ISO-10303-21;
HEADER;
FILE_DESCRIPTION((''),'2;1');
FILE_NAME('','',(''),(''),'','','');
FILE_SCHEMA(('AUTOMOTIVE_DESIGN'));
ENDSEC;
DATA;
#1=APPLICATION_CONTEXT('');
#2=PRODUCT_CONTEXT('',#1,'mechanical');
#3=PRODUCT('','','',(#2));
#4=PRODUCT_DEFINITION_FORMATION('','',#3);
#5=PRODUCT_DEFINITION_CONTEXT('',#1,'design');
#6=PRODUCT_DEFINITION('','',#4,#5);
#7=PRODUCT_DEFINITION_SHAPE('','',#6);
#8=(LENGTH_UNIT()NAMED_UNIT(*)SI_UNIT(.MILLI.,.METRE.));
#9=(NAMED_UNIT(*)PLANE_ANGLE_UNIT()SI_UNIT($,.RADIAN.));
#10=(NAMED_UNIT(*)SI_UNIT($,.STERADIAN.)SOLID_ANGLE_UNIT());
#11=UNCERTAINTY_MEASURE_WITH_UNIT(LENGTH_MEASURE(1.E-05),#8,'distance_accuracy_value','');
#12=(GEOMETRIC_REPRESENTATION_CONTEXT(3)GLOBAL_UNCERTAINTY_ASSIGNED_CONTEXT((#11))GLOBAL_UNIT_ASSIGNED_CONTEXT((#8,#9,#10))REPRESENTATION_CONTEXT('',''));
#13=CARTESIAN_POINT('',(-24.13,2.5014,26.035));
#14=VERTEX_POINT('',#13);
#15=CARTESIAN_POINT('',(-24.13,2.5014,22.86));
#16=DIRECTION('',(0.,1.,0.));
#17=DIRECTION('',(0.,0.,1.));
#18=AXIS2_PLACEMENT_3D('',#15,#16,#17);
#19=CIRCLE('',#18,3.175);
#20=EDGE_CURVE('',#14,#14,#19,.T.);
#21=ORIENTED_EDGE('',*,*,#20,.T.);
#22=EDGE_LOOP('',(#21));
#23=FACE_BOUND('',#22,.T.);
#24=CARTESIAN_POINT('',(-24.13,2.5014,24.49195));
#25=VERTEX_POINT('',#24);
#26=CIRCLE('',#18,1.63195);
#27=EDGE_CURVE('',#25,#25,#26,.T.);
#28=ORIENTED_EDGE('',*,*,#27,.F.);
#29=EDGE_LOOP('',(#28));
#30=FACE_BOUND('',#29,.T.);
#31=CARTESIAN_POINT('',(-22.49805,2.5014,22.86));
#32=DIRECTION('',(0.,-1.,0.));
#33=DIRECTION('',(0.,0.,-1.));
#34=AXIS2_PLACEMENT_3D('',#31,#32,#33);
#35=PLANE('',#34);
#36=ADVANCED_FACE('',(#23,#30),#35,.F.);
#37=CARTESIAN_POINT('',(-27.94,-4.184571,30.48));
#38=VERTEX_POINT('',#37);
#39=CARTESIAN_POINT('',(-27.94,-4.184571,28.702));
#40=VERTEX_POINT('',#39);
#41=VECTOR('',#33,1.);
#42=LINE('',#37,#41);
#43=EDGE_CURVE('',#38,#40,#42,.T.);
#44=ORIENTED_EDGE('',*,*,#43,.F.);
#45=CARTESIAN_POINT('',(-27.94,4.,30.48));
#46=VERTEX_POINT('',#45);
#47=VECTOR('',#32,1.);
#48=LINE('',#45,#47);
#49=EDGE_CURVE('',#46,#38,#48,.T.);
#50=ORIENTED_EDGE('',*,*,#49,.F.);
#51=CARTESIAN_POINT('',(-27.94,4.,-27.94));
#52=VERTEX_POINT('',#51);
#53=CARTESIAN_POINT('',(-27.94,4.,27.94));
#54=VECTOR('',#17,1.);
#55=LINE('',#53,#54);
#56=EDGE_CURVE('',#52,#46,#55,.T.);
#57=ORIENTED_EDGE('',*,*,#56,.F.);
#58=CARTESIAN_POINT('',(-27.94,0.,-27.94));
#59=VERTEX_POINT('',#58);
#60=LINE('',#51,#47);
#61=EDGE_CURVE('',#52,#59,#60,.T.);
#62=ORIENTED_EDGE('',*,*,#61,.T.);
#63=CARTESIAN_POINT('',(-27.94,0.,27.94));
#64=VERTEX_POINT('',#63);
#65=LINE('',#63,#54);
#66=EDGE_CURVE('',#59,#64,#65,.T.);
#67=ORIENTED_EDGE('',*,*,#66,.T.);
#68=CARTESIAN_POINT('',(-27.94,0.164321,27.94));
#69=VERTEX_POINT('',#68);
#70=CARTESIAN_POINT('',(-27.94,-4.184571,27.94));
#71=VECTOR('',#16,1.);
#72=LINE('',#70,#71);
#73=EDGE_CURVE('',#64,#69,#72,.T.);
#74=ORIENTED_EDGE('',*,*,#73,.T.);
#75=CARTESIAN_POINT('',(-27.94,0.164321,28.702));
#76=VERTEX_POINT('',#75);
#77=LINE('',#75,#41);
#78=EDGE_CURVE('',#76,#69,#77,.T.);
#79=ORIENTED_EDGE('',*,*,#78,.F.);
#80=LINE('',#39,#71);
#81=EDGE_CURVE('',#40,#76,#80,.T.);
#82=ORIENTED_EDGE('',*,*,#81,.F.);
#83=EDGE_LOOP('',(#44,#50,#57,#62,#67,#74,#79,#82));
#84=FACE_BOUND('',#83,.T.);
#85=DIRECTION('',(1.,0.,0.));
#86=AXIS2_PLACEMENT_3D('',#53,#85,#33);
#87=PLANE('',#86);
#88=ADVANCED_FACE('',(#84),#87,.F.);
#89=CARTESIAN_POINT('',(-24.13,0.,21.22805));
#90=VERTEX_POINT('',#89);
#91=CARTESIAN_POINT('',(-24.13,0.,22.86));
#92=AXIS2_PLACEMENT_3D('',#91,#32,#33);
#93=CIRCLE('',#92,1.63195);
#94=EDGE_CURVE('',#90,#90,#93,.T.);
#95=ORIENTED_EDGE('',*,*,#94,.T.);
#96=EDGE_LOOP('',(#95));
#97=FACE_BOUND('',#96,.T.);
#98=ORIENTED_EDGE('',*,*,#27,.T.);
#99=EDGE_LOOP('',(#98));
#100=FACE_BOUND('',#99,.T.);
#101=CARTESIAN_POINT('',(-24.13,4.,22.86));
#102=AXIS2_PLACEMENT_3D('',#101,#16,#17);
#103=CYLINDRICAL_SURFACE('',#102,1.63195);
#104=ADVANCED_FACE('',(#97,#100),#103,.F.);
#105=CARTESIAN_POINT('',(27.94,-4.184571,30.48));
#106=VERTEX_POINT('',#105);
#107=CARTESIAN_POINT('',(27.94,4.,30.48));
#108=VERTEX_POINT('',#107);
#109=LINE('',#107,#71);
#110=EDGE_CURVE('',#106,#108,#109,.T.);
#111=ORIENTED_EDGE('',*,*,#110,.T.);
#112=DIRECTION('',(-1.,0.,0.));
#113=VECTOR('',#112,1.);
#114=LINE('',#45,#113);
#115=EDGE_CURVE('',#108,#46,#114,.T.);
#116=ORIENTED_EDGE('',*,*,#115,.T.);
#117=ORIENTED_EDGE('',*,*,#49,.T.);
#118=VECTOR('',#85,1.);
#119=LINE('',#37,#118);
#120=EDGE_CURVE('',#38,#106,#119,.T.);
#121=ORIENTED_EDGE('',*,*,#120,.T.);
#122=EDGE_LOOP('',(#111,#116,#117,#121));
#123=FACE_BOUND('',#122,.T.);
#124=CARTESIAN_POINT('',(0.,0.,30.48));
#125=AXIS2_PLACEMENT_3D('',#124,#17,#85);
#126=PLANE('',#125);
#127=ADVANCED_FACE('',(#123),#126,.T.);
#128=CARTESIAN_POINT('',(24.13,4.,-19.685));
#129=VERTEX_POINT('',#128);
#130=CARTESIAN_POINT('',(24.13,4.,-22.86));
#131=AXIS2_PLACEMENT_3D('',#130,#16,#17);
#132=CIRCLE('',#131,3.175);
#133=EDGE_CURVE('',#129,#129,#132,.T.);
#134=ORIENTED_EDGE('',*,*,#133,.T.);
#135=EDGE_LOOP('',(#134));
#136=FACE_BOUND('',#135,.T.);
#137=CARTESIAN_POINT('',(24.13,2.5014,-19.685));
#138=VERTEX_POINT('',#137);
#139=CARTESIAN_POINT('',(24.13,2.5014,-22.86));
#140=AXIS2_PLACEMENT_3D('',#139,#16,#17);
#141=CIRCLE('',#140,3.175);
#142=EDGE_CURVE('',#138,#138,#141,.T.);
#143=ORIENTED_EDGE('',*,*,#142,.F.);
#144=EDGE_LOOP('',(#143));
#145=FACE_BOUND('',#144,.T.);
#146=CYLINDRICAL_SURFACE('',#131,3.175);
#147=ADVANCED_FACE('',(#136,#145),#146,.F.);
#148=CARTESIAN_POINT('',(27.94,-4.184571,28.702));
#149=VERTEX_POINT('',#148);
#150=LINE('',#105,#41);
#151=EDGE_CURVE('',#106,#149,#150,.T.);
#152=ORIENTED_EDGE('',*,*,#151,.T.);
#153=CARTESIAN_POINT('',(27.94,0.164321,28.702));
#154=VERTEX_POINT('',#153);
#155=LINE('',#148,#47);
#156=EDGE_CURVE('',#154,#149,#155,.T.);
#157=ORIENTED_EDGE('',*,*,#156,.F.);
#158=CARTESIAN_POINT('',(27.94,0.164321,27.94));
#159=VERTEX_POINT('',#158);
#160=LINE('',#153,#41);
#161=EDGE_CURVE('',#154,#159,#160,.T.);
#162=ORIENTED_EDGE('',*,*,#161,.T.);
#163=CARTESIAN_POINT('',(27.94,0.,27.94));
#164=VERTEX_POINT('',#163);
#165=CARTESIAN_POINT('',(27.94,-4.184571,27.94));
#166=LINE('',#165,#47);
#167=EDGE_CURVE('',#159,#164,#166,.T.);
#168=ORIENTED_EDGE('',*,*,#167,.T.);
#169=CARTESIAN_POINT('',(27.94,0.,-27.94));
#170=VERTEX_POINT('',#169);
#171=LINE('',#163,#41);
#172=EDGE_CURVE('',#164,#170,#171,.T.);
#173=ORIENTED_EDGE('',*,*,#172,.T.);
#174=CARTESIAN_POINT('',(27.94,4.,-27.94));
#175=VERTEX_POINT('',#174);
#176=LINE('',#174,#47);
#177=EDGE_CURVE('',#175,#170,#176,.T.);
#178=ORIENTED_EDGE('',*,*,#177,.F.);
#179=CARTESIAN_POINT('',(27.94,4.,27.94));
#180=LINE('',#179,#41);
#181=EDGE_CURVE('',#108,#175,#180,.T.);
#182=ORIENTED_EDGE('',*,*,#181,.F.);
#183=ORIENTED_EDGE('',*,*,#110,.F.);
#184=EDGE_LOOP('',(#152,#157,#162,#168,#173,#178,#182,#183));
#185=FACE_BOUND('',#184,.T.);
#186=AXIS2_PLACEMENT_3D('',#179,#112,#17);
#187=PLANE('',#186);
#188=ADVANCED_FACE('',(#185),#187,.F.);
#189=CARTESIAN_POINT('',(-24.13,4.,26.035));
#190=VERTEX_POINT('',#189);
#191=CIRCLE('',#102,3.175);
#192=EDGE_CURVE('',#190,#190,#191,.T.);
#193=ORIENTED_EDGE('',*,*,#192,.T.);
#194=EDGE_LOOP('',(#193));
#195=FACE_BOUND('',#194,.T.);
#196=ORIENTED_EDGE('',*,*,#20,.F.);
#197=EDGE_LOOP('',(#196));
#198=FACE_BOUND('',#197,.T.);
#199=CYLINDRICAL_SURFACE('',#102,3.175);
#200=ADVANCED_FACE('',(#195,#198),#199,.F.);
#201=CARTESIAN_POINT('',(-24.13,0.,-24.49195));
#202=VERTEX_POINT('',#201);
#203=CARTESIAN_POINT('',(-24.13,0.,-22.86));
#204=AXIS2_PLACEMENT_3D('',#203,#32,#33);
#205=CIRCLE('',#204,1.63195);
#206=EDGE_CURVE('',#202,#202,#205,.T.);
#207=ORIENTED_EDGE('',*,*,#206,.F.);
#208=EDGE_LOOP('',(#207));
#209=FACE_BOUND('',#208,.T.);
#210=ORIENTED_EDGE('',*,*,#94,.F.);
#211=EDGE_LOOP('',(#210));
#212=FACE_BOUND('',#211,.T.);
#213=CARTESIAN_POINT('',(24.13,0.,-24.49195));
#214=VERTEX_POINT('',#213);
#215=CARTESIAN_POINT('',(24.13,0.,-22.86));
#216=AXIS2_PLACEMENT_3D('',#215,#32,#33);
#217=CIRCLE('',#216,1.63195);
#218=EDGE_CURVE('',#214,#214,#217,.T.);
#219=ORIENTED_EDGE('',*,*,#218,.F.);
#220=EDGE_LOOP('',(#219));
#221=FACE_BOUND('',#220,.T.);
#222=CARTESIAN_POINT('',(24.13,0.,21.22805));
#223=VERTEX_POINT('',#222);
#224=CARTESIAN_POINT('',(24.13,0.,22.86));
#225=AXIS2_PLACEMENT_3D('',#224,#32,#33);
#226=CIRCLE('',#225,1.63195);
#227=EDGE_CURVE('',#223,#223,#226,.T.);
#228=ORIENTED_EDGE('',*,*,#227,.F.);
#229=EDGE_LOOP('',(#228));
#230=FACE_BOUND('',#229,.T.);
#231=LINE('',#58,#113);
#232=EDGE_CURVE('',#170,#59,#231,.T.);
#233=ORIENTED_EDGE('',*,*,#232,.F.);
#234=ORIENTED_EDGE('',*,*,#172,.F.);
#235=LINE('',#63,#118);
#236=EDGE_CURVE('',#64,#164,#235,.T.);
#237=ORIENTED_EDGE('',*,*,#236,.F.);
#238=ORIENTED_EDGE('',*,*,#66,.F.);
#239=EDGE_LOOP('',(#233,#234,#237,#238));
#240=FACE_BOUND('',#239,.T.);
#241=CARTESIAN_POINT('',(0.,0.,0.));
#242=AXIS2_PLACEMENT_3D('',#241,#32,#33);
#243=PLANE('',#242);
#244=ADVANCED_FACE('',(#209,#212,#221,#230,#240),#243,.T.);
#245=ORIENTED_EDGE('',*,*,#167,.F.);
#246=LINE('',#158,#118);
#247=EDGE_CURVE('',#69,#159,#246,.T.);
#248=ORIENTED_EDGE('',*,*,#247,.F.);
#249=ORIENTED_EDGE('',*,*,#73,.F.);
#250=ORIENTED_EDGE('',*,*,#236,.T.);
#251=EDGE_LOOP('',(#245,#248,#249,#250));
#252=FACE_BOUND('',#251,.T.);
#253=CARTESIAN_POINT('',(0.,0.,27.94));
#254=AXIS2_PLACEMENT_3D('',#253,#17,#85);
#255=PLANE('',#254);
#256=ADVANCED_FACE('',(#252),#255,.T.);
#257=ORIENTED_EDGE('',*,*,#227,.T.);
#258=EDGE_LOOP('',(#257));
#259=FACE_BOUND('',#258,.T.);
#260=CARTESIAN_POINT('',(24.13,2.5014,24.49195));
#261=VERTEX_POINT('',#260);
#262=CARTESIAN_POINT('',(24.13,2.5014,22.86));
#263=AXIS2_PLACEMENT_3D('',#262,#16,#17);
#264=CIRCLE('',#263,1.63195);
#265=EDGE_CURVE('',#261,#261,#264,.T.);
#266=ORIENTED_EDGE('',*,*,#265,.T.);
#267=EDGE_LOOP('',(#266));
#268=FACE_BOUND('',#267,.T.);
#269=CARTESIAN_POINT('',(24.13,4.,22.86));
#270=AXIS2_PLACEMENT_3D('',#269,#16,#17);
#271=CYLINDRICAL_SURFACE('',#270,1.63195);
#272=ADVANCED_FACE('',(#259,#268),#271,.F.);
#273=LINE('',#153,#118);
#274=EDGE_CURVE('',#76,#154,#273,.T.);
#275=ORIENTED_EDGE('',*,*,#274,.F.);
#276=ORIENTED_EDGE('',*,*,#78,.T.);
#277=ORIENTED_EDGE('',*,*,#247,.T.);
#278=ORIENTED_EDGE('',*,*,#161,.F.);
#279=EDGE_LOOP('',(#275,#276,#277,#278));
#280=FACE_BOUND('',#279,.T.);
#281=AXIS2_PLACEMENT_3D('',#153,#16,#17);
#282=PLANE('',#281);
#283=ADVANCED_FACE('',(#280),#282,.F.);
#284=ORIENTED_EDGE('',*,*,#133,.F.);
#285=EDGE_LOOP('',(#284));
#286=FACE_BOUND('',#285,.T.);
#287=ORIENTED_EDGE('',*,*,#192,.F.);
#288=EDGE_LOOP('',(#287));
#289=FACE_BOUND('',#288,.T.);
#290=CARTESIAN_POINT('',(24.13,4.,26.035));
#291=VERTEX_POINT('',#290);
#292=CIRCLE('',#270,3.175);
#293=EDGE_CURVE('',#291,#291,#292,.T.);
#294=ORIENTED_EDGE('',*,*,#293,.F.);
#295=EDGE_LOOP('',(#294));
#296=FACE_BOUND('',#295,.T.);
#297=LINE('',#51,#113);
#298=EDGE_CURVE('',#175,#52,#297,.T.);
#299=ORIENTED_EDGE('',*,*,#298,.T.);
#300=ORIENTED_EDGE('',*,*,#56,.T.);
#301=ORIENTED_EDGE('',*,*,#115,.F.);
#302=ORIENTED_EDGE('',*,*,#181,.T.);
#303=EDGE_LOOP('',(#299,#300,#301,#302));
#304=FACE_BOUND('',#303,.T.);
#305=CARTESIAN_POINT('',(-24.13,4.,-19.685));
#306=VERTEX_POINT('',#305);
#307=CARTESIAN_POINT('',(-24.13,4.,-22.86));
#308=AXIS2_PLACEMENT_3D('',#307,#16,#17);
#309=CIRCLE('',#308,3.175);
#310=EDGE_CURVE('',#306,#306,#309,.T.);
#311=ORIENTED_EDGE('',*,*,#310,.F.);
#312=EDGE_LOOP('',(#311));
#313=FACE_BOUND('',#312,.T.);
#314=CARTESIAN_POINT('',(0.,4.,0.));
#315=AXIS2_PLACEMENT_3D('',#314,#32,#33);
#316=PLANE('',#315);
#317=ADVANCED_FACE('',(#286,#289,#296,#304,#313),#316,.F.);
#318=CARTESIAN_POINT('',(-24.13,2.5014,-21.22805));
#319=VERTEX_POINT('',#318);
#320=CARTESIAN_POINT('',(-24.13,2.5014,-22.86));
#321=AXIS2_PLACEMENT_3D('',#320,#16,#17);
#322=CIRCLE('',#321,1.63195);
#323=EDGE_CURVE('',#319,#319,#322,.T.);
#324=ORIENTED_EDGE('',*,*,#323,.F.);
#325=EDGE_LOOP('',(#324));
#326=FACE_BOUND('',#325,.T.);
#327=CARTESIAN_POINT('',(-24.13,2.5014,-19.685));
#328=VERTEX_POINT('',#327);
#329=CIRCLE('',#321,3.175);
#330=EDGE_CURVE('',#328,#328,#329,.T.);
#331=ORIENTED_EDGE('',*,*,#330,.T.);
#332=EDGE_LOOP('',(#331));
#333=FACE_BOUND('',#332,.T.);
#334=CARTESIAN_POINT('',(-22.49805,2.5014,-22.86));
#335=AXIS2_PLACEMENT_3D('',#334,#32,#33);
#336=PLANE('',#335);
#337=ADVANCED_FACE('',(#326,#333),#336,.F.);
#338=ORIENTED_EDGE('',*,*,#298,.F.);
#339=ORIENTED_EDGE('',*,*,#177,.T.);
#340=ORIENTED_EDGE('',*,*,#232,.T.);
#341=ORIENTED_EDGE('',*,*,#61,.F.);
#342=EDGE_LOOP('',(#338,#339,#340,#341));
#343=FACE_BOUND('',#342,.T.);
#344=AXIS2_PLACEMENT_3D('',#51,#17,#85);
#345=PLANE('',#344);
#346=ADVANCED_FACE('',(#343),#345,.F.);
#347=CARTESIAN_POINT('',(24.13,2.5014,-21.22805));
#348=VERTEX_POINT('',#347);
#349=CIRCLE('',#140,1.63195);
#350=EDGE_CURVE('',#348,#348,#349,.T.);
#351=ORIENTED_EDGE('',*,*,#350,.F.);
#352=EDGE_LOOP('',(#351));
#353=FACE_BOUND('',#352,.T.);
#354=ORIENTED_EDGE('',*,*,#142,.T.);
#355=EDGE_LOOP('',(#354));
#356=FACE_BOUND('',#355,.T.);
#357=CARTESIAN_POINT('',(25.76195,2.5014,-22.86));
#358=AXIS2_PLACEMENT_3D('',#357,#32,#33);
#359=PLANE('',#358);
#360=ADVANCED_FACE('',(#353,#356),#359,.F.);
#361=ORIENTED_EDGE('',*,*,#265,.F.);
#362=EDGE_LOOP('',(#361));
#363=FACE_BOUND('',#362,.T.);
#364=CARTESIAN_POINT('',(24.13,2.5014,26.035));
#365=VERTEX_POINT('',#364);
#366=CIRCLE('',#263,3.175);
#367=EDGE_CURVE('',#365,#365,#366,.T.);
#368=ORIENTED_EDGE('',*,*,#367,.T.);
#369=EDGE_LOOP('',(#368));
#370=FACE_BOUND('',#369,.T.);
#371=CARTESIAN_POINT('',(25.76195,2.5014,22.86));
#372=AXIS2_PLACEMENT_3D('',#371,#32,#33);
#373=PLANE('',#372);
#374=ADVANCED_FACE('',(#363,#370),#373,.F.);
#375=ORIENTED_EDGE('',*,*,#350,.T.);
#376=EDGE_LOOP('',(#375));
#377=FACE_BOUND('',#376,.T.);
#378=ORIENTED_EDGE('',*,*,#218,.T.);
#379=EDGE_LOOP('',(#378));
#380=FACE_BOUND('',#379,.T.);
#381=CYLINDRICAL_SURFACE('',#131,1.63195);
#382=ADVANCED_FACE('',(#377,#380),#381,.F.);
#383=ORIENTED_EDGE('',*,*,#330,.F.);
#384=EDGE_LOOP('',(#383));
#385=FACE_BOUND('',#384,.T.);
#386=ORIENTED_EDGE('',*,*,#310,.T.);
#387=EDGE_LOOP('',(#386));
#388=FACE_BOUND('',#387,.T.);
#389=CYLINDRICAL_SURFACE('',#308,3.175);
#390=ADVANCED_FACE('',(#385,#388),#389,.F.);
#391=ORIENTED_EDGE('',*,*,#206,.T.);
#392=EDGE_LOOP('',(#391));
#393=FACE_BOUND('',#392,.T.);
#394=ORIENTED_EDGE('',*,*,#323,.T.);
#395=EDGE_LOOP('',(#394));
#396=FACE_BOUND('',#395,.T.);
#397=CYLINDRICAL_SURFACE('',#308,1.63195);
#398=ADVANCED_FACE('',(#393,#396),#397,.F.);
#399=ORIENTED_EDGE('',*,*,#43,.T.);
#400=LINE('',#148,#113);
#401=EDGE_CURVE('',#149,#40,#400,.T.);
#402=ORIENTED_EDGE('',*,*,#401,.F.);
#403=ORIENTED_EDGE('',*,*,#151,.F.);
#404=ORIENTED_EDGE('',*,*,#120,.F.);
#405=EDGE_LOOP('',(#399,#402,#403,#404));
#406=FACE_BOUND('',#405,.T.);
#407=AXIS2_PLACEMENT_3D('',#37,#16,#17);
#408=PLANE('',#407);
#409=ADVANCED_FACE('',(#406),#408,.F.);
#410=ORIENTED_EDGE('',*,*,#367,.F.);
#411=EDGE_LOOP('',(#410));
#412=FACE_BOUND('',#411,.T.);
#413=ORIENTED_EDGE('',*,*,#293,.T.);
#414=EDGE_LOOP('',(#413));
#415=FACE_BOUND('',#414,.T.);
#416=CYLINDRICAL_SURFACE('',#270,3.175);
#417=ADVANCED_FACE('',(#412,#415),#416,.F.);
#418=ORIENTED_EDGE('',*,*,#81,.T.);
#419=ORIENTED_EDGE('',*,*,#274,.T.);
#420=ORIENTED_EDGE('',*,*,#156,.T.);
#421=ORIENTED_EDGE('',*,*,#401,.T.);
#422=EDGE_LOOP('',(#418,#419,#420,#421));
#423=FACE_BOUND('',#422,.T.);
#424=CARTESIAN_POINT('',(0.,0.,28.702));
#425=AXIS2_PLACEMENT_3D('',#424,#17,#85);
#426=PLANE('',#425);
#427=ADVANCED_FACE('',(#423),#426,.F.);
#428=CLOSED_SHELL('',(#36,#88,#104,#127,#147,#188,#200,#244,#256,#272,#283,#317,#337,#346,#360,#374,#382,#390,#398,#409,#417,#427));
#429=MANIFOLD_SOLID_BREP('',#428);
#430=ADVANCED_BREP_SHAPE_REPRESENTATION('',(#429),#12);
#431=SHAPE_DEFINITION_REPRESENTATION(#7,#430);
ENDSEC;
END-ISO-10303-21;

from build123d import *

# Parameters (mm, degrees)
SKETCH1_W                                      = 55.88
SKETCH1_H                                      = 55.88
BOSS_EXTRUDE1_DEPTH                            = 4
CBORE_FOR_4_BUTTON_HEAD_CAP_SCREW1_D           = 3.2639
CBORE_FOR_4_BUTTON_HEAD_CAP_SCREW1_CBORE_D     = 6.35
CBORE_FOR_4_BUTTON_HEAD_CAP_SCREW1_CBORE_DEPTH = 1.4986
SKETCH4_W                                      = 55.88
SKETCH4_H                                      = 8.184570626
BOSS_EXTRUDE2_DEPTH                            = 2.54
SKETCH5_W                                      = 55.88
SKETCH5_H                                      = 4.348891515
CUT_EXTRUDE1_DEPTH                             = 0.762


with BuildPart() as part:
    # Sketch1 → Boss-Extrude1 (new body)
    with BuildSketch(Plane(origin=(0, 0, 0), x_dir=(1, 0, 0), z_dir=(0, 1, 0))):
        Rectangle(SKETCH1_W, SKETCH1_H)
    extrude(amount=BOSS_EXTRUDE1_DEPTH)

    # CBORE for #4 Button Head Cap Screw1 (through all)
    with Locations(Plane(origin=(0, 4, 0), x_dir=(1, 0, 0), z_dir=(0, 1, 0))):
        with Locations((-24.13, 22.86), (24.13, 22.86), (24.13, -22.86), (-24.13, -22.86)):
            CounterBoreHole(CBORE_FOR_4_BUTTON_HEAD_CAP_SCREW1_D / 2, CBORE_FOR_4_BUTTON_HEAD_CAP_SCREW1_CBORE_D / 2, CBORE_FOR_4_BUTTON_HEAD_CAP_SCREW1_CBORE_DEPTH)

    # Sketch4 → Boss-Extrude2 (add)
    with BuildSketch(Plane.XY.offset(27.94)):
        with Locations((0, -0.092285313)):
            Rectangle(SKETCH4_W, SKETCH4_H)
    extrude(amount=BOSS_EXTRUDE2_DEPTH)

    # Sketch5 → Cut-Extrude1 (cut)
    with BuildSketch(Plane(origin=(0, 0, 27.94), x_dir=(-1, 0, 0), z_dir=(0, 0, -1))):
        with Locations((0, -2.010124869)):
            Rectangle(SKETCH5_W, SKETCH5_H)
    extrude(amount=-CUT_EXTRUDE1_DEPTH, mode=Mode.SUBTRACT)


solid = part.part
